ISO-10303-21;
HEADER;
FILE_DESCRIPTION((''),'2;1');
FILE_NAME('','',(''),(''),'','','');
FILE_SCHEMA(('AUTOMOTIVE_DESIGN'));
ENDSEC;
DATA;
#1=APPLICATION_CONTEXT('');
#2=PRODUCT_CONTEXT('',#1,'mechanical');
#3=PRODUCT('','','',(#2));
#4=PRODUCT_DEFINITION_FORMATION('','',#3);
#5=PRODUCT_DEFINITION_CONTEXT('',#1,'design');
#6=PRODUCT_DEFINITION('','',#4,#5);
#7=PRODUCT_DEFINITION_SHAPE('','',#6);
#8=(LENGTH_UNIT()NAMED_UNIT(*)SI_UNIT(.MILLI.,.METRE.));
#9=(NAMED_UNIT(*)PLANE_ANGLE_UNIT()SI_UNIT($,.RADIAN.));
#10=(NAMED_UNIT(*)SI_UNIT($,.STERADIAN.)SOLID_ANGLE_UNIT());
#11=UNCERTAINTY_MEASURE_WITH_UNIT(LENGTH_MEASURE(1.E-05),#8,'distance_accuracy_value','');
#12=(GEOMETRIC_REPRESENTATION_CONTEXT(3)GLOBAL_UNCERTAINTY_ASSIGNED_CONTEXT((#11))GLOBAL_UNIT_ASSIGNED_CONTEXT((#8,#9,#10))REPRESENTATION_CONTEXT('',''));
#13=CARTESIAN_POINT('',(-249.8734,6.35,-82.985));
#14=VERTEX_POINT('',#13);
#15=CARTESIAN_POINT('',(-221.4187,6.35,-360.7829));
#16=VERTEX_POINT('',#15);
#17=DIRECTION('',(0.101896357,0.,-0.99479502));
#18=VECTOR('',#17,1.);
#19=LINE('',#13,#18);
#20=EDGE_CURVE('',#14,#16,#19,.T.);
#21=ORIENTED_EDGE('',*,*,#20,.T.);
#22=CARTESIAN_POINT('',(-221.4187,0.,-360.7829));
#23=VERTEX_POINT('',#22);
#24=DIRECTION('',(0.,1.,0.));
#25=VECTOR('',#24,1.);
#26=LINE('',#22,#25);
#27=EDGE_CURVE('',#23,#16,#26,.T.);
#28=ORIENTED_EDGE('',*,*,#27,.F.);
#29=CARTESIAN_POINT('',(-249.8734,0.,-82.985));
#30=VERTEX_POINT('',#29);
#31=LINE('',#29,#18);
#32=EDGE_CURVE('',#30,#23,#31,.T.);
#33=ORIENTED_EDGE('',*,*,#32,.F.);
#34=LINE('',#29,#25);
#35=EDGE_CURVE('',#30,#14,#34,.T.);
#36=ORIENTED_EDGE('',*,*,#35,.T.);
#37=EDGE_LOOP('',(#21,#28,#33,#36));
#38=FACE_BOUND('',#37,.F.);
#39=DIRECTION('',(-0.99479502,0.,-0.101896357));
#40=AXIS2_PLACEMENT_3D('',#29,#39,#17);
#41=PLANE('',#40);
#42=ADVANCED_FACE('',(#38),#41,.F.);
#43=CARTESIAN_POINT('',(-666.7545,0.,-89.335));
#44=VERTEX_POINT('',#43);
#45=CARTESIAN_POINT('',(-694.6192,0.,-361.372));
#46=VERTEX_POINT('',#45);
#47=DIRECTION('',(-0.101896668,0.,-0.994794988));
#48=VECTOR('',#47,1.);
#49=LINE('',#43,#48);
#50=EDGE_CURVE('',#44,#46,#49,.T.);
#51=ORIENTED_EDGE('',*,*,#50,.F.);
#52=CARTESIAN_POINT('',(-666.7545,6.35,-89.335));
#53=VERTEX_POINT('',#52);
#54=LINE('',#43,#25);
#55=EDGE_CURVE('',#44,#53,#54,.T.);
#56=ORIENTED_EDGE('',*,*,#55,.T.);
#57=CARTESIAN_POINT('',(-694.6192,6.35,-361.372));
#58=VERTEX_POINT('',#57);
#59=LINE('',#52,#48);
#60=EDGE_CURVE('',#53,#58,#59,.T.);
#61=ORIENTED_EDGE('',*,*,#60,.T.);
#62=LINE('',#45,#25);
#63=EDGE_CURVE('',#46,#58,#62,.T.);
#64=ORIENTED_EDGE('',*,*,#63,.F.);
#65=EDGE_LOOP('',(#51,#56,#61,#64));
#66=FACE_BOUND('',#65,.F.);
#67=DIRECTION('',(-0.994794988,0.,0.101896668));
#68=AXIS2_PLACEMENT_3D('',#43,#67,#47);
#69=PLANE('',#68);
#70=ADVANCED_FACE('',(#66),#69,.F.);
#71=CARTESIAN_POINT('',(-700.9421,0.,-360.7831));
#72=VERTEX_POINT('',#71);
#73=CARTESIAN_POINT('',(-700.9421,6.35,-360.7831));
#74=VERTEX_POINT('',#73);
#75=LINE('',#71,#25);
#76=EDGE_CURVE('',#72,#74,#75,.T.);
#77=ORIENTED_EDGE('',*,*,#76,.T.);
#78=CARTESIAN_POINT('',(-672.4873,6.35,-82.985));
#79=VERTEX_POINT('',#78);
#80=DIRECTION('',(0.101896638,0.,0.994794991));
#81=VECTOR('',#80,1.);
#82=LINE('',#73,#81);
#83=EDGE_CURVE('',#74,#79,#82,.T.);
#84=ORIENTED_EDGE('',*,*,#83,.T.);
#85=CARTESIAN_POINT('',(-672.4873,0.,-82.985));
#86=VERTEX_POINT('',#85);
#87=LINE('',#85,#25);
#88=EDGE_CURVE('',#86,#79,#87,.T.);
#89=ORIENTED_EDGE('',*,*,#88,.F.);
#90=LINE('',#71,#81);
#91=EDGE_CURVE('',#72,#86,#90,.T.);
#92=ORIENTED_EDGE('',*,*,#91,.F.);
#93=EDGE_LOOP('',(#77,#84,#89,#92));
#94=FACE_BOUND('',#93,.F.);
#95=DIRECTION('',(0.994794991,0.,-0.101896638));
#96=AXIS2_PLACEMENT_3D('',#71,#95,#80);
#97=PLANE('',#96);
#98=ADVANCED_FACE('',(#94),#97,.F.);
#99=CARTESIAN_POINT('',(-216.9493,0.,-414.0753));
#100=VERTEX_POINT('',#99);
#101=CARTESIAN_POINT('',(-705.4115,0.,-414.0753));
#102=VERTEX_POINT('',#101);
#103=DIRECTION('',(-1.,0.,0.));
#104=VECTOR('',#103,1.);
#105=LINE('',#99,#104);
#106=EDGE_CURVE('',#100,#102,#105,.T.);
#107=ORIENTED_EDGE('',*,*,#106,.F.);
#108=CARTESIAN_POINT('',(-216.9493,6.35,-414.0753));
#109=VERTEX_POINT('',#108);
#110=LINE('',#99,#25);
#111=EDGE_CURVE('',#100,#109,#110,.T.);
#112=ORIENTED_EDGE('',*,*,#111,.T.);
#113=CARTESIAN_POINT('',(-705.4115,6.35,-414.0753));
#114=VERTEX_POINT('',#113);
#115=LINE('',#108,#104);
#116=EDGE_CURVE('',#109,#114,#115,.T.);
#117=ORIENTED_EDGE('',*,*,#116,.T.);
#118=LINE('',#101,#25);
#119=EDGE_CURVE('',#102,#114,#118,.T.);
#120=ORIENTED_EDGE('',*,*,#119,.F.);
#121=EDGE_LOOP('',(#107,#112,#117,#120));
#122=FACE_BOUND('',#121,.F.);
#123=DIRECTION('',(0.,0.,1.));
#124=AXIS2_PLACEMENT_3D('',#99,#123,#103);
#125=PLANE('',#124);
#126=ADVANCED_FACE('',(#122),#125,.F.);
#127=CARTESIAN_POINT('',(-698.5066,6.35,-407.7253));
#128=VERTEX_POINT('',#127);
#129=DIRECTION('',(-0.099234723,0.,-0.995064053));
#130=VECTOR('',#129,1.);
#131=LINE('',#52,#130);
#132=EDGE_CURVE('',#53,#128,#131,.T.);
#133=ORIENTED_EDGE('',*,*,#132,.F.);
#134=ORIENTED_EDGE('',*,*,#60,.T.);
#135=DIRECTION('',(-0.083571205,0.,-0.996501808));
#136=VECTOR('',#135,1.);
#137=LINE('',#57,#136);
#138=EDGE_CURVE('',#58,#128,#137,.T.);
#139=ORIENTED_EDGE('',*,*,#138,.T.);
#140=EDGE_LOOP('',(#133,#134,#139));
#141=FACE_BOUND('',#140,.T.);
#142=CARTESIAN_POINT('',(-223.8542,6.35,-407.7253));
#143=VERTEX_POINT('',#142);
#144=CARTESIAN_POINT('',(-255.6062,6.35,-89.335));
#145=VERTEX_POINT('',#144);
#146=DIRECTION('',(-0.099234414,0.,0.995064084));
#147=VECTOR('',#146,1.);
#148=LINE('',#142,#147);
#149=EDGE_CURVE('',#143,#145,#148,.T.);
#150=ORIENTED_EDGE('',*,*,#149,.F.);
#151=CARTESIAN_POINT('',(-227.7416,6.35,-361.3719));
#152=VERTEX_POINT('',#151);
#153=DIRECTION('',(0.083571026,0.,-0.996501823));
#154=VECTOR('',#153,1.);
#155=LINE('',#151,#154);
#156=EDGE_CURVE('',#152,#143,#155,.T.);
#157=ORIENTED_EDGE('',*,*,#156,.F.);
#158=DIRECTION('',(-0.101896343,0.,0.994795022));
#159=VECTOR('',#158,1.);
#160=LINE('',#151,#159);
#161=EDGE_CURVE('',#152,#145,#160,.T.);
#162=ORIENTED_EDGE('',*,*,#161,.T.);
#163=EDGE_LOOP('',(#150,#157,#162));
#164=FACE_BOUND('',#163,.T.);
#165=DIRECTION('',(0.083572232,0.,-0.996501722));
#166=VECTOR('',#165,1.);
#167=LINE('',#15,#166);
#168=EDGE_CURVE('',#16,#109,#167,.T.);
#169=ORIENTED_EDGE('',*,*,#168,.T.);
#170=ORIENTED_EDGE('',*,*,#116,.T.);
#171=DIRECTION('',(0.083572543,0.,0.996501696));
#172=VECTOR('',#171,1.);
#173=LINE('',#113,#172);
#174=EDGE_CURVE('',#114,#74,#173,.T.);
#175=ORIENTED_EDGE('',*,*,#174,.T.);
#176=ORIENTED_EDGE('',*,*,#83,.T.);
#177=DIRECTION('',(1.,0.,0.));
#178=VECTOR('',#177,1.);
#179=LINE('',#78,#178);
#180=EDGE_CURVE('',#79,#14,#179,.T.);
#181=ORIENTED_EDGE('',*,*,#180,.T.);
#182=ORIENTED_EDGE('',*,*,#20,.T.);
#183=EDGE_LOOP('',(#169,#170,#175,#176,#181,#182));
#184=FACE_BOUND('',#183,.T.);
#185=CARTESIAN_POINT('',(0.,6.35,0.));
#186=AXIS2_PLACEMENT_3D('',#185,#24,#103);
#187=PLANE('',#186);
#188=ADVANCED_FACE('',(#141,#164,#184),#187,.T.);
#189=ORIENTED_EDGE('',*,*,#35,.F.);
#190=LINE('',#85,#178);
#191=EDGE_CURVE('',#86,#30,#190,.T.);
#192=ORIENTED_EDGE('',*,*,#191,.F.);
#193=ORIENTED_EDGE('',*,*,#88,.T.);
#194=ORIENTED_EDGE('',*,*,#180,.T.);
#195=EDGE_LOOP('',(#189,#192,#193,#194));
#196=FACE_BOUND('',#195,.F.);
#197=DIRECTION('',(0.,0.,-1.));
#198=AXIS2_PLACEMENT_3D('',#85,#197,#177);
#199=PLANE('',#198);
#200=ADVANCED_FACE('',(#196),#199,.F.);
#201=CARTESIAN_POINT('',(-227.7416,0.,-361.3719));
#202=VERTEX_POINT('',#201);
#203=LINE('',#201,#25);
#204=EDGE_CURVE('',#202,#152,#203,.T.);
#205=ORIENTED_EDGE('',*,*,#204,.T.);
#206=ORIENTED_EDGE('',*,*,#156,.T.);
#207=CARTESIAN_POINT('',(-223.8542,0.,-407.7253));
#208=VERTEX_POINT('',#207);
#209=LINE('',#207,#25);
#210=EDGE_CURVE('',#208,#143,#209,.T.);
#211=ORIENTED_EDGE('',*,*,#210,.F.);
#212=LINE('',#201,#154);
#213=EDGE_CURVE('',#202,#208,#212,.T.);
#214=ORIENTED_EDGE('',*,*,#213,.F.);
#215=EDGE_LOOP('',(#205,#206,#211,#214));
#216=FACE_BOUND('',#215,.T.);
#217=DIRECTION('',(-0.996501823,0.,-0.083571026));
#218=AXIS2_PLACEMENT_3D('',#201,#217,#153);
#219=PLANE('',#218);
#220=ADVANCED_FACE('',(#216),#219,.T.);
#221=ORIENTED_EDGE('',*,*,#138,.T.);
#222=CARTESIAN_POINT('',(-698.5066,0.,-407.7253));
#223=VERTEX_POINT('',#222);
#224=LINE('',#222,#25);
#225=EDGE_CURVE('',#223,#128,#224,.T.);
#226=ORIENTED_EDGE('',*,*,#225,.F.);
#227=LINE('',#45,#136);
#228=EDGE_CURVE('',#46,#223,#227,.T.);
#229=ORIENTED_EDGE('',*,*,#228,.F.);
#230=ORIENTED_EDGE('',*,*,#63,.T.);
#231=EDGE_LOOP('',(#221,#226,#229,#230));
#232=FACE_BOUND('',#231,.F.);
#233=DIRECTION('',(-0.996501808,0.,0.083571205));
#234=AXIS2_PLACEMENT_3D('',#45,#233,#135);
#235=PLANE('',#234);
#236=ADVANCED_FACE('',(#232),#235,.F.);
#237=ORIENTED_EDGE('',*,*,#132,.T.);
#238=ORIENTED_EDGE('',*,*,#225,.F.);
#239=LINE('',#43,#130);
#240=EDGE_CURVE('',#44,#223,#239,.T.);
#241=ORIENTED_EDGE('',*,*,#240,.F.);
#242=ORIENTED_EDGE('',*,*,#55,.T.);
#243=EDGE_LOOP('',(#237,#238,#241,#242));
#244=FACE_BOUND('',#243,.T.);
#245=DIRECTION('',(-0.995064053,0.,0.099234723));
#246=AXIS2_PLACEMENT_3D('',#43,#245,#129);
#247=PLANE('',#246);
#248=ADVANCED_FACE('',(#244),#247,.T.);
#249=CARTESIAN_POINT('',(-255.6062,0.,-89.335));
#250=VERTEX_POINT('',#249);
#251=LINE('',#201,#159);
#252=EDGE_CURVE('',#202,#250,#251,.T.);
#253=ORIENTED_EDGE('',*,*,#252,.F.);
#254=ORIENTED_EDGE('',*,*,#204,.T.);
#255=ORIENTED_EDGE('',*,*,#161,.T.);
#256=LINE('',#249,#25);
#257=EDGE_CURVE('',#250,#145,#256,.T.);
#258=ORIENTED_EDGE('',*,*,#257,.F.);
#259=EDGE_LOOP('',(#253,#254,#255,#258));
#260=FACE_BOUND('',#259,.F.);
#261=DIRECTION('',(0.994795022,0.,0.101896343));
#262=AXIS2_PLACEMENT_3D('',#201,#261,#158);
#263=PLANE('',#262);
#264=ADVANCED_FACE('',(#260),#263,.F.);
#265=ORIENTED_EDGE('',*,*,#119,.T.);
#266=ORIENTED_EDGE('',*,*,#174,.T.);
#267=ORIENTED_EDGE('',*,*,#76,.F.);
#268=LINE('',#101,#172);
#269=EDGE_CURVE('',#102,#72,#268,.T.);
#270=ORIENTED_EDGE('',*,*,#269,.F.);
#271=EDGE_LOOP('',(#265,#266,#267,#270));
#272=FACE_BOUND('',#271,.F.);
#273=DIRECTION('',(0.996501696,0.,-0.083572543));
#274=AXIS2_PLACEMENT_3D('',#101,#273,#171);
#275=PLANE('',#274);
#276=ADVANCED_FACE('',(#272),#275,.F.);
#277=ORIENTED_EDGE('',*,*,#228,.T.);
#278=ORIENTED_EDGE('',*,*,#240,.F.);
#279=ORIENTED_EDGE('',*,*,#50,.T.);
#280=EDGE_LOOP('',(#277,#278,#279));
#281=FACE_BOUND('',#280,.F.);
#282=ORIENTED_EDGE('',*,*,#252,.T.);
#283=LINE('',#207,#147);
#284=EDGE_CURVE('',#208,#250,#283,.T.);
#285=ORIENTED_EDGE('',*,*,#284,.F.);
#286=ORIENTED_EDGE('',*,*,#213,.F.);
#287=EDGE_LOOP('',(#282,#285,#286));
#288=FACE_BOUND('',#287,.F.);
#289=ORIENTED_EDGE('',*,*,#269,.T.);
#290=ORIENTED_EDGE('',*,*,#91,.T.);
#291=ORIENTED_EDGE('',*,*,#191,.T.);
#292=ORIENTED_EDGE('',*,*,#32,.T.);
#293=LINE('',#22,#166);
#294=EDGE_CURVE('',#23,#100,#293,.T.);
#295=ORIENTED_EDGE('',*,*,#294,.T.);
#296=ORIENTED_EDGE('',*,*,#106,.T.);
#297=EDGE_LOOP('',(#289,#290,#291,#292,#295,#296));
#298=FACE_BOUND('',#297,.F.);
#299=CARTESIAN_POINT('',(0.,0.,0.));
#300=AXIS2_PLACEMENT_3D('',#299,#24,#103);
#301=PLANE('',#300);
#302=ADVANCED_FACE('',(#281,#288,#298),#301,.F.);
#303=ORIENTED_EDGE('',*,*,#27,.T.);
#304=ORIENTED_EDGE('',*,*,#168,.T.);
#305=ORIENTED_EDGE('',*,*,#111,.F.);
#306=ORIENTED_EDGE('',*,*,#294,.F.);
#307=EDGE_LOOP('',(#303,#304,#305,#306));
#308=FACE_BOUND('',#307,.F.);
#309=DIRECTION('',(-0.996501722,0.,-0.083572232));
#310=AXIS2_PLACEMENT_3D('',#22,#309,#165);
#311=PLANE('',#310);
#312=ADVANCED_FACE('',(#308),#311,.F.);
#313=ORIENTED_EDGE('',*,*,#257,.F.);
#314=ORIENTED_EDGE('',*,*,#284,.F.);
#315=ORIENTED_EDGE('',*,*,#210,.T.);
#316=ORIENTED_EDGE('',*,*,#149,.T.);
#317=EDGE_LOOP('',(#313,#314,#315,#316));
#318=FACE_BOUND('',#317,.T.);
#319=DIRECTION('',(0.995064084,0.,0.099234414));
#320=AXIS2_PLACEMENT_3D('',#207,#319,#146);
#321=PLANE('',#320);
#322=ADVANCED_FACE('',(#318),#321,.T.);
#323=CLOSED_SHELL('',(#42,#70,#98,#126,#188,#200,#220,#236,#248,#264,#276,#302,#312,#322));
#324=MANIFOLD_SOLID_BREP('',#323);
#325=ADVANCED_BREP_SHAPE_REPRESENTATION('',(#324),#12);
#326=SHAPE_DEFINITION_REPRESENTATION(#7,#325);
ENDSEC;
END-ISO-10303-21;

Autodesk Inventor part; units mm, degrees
ref_plane "YZ Plane" through (0, 0, 0) normal (1, 0, 0) x (0, 1, 0)
ref_plane "XZ Plane" through (0, 0, 0) normal (0, 1, 0) x (-1, 0, 0)
ref_plane "XY Plane" through (0, 0, 0) normal (0, 0, 1) x (1, 0, 0)
sketch "Sketch1" plane through (0, 0, 0) normal (0, 1, 0) x (-1, 0, 0)
  line L0 (227.7416, -361.3719) -> (255.6062, -89.335) projected
  line L1 (255.6062, -89.335) -> (666.7545, -89.335) projected
  line L2 (666.7545, -89.335) -> (694.6192, -361.372) projected
  line L3 (694.6192, -361.372) -> (698.5066, -407.7253) projected
  line L4 (223.8542, -407.7253) -> (698.5066, -407.7253) projected
  line L5 (227.7416, -361.3719) -> (223.8542, -407.7253) projected
  line L6 (428.6458, -367.8211) -> (493.715, -367.8211) projected
  arc A0 (493.715, -367.8211) -> (493.715, -354.9226) centre (493.715, -361.3719) ccw projected
  line L7 (493.715, -354.9226) -> (428.6458, -354.9226) projected
  arc A1 (428.6458, -354.9226) -> (428.6458, -367.8211) centre (428.6458, -361.3719) ccw projected
  line L8 (666.7545, -89.335) -> (698.5066, -407.7253)
  line L9 (223.8542, -407.7253) -> (255.6062, -89.335)
  line L10 (705.4115, -414.0753) -> (700.9421, -360.7831)
  line L11 (700.9421, -360.7831) -> (672.4873, -82.985)
  line L12 (672.4873, -82.985) -> (249.8734, -82.985)
  line L13 (249.8734, -82.985) -> (221.4187, -360.7829)
  line L14 (221.4187, -360.7829) -> (216.9493, -414.0753)
  line L15 (216.9493, -414.0753) -> (705.4115, -414.0753)
  point P0 (0, 0)
  dimension "d0" = 6.35
extrude "Extrusion1" add sketch "Sketch1" along normal blind 6.35 contours L1 L8 L4 L9 | A1 L7 A0 L6 | L15 L14 L13 L12 L11 L10
properties part number "Char Support Base"
